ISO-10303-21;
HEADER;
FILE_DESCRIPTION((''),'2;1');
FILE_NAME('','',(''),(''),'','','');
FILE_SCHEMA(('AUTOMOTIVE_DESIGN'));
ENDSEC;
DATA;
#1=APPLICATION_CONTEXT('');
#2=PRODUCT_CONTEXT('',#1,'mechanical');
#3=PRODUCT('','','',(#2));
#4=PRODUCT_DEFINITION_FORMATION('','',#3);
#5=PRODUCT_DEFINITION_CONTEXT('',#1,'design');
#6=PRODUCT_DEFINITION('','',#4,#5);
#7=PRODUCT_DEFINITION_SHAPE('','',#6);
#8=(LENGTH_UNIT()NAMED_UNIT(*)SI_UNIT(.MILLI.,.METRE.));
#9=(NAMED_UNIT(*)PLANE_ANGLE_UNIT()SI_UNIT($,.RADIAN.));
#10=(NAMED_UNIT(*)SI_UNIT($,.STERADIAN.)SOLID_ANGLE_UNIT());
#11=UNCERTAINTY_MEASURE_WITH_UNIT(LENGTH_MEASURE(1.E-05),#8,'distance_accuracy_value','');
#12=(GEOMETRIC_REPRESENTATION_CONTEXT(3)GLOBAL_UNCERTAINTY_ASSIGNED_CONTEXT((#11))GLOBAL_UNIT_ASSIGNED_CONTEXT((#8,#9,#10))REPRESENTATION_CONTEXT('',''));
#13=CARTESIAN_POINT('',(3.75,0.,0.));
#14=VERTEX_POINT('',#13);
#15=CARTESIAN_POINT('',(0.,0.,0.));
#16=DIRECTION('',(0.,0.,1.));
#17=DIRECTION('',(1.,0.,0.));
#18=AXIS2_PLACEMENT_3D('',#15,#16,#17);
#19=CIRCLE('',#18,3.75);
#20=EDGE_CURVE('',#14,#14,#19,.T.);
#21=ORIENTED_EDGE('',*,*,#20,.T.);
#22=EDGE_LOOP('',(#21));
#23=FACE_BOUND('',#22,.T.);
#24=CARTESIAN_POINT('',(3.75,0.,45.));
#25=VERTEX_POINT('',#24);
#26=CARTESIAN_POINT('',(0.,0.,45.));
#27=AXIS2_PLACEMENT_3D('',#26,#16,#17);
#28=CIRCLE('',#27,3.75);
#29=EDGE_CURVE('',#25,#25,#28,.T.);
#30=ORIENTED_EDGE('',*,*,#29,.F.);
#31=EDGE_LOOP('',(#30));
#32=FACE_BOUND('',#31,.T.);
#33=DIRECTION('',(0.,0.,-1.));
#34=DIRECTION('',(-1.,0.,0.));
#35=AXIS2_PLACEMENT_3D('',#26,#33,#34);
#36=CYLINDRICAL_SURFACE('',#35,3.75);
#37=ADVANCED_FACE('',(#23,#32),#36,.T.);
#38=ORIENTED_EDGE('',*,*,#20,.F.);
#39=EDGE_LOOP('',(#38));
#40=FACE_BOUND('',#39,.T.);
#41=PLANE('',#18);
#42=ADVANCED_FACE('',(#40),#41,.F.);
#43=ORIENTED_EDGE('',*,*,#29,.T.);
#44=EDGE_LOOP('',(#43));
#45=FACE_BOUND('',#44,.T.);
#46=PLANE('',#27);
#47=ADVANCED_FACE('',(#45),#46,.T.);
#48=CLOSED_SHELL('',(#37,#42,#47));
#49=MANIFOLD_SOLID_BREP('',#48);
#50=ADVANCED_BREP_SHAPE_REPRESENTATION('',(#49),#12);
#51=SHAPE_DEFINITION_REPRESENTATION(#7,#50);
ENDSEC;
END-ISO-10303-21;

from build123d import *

# Parameters (mm, degrees)
SKETCH1_R           = 3.75
BOSS_EXTRUDE1_DEPTH = 45


with BuildPart() as part:
    # Sketch1 → Boss-Extrude1 (new body)
    with BuildSketch(Plane.XY):
        Circle(SKETCH1_R)
    extrude(amount=BOSS_EXTRUDE1_DEPTH)


solid = part.part
